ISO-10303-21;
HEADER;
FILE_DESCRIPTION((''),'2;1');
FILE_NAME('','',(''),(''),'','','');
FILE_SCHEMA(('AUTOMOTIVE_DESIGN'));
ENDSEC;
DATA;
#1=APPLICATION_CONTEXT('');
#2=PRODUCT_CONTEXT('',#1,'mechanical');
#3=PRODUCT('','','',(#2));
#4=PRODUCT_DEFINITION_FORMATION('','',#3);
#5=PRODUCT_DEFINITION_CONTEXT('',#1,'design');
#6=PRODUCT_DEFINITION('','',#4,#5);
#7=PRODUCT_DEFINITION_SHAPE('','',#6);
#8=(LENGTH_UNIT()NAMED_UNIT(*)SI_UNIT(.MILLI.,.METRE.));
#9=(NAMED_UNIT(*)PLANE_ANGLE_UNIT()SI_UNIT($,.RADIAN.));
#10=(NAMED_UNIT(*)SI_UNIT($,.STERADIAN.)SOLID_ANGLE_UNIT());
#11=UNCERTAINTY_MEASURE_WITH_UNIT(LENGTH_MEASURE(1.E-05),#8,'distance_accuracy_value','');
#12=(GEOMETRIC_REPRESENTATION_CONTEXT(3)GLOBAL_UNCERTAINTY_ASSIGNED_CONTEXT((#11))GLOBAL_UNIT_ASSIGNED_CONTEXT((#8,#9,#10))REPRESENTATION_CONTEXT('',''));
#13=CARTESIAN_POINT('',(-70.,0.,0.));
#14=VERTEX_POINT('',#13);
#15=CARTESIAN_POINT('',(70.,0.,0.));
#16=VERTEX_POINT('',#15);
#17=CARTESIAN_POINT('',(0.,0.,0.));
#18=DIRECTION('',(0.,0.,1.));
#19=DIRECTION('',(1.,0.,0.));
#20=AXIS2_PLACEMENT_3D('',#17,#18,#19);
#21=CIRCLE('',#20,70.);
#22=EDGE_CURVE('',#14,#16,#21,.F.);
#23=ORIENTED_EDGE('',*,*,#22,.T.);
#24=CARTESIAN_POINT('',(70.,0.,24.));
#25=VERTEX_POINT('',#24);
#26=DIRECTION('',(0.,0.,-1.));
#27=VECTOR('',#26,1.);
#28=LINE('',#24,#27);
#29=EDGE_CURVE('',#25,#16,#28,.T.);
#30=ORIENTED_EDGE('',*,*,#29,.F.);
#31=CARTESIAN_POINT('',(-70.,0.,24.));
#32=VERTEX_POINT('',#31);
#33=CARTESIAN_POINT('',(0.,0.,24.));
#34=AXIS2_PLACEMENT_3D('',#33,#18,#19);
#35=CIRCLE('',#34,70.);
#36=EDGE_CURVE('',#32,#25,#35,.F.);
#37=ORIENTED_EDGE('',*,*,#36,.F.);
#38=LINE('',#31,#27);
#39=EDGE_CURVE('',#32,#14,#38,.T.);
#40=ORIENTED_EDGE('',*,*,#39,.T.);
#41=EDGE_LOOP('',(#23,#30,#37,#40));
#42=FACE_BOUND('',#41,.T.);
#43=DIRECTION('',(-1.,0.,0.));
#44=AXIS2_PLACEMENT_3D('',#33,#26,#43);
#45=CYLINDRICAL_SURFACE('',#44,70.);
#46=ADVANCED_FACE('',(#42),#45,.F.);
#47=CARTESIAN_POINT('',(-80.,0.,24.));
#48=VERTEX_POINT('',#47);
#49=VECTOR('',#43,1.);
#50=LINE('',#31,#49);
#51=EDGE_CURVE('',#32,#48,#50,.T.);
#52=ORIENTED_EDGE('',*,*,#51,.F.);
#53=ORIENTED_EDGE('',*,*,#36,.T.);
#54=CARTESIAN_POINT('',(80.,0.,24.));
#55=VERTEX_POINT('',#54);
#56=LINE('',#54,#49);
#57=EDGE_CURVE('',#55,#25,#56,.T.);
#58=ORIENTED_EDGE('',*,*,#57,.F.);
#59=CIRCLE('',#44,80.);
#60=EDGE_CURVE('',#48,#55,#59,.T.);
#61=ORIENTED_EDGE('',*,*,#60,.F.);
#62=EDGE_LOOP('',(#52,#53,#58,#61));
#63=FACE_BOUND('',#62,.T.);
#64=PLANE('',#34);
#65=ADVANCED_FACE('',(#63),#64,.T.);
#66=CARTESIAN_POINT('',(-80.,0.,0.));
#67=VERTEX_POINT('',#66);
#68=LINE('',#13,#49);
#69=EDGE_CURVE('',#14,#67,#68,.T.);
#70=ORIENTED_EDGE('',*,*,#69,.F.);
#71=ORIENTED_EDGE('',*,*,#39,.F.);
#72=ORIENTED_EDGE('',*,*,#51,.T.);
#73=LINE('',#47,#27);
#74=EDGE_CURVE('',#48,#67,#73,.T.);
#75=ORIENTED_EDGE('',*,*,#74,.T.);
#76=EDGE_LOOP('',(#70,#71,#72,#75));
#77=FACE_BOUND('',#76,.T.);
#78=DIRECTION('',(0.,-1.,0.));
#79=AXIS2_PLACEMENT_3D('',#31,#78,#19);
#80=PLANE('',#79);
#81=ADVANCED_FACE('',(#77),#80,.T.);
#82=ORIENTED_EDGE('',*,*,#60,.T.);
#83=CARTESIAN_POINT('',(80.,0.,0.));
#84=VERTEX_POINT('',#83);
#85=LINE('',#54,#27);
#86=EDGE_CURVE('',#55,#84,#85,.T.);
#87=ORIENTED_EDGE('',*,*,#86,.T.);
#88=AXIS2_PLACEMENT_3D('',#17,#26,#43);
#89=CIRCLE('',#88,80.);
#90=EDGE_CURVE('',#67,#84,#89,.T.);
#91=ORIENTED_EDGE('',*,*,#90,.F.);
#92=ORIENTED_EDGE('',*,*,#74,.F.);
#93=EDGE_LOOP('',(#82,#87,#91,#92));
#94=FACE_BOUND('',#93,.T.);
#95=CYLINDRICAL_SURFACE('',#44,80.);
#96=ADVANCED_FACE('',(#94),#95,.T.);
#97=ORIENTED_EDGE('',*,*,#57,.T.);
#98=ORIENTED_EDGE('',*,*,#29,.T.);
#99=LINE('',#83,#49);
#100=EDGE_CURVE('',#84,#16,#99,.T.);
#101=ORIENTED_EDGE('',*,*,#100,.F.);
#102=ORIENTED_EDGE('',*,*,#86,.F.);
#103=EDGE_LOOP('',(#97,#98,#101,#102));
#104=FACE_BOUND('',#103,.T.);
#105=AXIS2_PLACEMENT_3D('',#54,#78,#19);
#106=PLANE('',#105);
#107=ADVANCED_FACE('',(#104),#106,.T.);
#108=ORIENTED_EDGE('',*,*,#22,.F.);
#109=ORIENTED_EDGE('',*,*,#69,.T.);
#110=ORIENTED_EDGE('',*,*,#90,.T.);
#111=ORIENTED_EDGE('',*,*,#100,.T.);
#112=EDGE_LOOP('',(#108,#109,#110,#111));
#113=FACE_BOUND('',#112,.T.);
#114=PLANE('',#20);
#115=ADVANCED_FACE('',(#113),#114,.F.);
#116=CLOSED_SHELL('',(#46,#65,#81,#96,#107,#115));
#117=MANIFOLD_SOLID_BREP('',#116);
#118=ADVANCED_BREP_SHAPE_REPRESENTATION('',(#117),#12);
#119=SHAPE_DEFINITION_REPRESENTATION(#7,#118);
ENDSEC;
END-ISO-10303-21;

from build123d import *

# Parameters (mm, degrees)
EXTRUDE_THIN1_DEPTH = 24


with BuildPart() as part:
    # Sketch1 → Extrude-Thin1 (new body)
    with BuildSketch(Plane.XY):
        with BuildLine():
            ThreePointArc((-80, 0), (0, 80), (80, 0))
            Line((80, 0), (70, 0))
            ThreePointArc((70, 0), (0, 70), (-70, 0))
            Line((-70, 0), (-80, 0))
        make_face()
    extrude(amount=EXTRUDE_THIN1_DEPTH)


solid = part.part
